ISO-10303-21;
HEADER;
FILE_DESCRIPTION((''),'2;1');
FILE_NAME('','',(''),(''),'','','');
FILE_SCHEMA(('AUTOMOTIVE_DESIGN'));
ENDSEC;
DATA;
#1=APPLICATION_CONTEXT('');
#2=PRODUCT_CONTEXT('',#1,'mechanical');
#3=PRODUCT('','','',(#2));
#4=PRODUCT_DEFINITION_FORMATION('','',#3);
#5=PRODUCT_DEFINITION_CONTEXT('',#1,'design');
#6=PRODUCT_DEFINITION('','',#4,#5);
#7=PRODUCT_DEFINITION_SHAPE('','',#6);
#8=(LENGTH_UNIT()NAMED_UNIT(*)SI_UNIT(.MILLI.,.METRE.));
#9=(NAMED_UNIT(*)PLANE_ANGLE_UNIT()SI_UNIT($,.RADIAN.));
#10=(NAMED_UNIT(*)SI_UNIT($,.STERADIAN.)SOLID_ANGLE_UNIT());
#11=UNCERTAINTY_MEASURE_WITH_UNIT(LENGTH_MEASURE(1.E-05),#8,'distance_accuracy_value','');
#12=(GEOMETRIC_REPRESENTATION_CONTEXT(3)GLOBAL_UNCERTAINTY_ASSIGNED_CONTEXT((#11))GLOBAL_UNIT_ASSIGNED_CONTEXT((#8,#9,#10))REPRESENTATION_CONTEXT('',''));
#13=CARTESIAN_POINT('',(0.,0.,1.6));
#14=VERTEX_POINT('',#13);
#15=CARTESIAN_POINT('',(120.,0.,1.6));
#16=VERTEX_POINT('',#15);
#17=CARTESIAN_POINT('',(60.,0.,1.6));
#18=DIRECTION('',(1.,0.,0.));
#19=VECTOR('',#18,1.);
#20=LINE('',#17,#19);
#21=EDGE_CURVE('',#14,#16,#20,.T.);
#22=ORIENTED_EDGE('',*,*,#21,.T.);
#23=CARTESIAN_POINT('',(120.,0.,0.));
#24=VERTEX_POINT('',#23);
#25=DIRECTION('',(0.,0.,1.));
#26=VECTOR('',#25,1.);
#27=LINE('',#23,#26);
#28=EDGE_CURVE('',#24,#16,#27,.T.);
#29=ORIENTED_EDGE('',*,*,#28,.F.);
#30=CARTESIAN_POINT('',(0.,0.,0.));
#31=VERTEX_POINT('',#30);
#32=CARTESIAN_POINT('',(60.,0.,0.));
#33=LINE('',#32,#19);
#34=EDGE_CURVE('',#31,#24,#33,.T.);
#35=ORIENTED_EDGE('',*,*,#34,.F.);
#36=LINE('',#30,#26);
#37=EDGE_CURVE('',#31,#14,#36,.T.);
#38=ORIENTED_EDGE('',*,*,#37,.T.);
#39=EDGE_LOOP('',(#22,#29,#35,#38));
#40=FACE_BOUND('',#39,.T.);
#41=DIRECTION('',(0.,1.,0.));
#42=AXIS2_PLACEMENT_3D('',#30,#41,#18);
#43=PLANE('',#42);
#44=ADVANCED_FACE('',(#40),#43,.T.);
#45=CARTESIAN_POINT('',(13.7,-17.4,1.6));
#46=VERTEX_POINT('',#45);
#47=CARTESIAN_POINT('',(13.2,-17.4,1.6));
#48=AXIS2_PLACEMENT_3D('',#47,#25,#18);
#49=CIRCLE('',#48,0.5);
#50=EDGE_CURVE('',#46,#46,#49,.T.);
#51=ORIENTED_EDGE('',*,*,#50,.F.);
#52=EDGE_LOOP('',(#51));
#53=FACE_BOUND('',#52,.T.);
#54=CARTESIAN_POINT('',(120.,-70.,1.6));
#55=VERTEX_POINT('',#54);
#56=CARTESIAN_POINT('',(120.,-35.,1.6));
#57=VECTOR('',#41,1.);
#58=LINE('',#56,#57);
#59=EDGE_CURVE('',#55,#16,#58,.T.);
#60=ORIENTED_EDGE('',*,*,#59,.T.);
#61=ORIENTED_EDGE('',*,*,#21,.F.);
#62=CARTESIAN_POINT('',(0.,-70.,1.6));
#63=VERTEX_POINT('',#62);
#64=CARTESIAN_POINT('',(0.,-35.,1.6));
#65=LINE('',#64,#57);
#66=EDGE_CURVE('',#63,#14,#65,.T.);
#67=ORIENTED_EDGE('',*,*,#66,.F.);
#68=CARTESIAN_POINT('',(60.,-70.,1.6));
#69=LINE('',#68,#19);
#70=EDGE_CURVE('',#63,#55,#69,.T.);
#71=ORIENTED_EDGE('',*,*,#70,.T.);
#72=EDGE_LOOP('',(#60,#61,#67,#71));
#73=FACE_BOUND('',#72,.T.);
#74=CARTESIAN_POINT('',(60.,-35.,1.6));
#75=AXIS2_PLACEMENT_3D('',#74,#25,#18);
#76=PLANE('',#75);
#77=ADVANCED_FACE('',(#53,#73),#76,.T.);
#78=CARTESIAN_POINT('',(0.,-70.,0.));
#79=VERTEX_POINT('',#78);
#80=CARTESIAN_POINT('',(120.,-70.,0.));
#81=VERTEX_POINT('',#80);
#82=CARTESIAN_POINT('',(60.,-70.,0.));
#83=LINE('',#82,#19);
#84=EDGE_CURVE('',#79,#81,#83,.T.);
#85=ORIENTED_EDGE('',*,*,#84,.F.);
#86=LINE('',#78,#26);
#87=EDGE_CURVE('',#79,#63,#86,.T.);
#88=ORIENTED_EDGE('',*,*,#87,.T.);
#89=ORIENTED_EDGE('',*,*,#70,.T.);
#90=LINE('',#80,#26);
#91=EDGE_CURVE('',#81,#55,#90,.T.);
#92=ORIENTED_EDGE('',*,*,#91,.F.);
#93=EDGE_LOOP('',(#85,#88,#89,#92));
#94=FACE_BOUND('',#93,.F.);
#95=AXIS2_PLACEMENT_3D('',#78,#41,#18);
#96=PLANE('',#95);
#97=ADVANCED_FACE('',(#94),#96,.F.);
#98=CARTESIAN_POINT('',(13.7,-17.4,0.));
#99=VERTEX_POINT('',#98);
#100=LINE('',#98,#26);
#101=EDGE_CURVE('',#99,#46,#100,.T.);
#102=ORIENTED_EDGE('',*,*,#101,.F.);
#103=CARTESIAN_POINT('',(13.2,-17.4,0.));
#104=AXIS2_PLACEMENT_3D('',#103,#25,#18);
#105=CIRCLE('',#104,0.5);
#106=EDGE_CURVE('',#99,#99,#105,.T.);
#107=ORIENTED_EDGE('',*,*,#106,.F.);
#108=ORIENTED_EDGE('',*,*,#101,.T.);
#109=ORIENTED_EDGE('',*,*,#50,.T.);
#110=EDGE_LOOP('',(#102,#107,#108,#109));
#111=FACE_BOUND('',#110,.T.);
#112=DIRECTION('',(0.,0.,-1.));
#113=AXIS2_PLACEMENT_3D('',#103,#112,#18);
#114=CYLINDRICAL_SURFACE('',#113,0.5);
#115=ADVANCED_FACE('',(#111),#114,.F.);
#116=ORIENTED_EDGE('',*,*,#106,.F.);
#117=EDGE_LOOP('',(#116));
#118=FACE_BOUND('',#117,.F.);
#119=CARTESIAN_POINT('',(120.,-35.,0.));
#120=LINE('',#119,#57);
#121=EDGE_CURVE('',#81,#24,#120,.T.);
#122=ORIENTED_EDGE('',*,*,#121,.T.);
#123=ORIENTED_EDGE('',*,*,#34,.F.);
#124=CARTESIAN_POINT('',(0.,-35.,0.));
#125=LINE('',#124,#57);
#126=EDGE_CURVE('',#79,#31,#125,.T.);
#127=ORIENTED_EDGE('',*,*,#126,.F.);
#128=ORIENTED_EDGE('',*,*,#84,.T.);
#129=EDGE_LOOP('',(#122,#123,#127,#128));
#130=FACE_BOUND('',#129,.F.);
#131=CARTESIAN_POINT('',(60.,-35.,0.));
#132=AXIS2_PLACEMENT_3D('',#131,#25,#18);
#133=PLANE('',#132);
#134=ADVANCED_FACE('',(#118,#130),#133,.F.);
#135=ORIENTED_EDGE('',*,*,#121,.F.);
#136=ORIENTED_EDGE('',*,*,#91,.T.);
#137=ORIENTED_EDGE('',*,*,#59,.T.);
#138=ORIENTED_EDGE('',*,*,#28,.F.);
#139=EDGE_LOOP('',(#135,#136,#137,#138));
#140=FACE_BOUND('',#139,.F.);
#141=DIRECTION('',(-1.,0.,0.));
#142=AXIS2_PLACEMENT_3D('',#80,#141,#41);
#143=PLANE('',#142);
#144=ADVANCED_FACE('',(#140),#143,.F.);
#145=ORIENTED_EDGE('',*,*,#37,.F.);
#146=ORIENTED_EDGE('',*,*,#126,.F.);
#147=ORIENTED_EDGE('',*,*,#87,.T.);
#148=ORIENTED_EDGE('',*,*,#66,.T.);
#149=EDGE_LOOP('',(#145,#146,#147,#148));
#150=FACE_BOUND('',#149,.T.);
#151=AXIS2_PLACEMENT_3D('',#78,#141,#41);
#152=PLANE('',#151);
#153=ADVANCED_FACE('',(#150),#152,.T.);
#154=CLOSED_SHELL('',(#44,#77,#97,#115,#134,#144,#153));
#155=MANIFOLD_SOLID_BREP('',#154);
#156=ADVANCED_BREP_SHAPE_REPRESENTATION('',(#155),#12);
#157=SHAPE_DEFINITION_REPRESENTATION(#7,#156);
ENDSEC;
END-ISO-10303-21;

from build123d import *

# Parameters (mm, degrees)
SKETCH001_W = 120
SKETCH001_H = 70
SKETCH001_R = 0.5
PAD_DEPTH   = 1.6


with BuildPart() as part:
    # Sketch001 → Pad (new body)
    with BuildSketch(Plane.XY):
        with Locations((60, -35)):
            Rectangle(SKETCH001_W, SKETCH001_H)
        with Locations((13.2, -17.4)):
            Circle(SKETCH001_R, mode=Mode.SUBTRACT)
    extrude(amount=PAD_DEPTH)


solid = part.part
